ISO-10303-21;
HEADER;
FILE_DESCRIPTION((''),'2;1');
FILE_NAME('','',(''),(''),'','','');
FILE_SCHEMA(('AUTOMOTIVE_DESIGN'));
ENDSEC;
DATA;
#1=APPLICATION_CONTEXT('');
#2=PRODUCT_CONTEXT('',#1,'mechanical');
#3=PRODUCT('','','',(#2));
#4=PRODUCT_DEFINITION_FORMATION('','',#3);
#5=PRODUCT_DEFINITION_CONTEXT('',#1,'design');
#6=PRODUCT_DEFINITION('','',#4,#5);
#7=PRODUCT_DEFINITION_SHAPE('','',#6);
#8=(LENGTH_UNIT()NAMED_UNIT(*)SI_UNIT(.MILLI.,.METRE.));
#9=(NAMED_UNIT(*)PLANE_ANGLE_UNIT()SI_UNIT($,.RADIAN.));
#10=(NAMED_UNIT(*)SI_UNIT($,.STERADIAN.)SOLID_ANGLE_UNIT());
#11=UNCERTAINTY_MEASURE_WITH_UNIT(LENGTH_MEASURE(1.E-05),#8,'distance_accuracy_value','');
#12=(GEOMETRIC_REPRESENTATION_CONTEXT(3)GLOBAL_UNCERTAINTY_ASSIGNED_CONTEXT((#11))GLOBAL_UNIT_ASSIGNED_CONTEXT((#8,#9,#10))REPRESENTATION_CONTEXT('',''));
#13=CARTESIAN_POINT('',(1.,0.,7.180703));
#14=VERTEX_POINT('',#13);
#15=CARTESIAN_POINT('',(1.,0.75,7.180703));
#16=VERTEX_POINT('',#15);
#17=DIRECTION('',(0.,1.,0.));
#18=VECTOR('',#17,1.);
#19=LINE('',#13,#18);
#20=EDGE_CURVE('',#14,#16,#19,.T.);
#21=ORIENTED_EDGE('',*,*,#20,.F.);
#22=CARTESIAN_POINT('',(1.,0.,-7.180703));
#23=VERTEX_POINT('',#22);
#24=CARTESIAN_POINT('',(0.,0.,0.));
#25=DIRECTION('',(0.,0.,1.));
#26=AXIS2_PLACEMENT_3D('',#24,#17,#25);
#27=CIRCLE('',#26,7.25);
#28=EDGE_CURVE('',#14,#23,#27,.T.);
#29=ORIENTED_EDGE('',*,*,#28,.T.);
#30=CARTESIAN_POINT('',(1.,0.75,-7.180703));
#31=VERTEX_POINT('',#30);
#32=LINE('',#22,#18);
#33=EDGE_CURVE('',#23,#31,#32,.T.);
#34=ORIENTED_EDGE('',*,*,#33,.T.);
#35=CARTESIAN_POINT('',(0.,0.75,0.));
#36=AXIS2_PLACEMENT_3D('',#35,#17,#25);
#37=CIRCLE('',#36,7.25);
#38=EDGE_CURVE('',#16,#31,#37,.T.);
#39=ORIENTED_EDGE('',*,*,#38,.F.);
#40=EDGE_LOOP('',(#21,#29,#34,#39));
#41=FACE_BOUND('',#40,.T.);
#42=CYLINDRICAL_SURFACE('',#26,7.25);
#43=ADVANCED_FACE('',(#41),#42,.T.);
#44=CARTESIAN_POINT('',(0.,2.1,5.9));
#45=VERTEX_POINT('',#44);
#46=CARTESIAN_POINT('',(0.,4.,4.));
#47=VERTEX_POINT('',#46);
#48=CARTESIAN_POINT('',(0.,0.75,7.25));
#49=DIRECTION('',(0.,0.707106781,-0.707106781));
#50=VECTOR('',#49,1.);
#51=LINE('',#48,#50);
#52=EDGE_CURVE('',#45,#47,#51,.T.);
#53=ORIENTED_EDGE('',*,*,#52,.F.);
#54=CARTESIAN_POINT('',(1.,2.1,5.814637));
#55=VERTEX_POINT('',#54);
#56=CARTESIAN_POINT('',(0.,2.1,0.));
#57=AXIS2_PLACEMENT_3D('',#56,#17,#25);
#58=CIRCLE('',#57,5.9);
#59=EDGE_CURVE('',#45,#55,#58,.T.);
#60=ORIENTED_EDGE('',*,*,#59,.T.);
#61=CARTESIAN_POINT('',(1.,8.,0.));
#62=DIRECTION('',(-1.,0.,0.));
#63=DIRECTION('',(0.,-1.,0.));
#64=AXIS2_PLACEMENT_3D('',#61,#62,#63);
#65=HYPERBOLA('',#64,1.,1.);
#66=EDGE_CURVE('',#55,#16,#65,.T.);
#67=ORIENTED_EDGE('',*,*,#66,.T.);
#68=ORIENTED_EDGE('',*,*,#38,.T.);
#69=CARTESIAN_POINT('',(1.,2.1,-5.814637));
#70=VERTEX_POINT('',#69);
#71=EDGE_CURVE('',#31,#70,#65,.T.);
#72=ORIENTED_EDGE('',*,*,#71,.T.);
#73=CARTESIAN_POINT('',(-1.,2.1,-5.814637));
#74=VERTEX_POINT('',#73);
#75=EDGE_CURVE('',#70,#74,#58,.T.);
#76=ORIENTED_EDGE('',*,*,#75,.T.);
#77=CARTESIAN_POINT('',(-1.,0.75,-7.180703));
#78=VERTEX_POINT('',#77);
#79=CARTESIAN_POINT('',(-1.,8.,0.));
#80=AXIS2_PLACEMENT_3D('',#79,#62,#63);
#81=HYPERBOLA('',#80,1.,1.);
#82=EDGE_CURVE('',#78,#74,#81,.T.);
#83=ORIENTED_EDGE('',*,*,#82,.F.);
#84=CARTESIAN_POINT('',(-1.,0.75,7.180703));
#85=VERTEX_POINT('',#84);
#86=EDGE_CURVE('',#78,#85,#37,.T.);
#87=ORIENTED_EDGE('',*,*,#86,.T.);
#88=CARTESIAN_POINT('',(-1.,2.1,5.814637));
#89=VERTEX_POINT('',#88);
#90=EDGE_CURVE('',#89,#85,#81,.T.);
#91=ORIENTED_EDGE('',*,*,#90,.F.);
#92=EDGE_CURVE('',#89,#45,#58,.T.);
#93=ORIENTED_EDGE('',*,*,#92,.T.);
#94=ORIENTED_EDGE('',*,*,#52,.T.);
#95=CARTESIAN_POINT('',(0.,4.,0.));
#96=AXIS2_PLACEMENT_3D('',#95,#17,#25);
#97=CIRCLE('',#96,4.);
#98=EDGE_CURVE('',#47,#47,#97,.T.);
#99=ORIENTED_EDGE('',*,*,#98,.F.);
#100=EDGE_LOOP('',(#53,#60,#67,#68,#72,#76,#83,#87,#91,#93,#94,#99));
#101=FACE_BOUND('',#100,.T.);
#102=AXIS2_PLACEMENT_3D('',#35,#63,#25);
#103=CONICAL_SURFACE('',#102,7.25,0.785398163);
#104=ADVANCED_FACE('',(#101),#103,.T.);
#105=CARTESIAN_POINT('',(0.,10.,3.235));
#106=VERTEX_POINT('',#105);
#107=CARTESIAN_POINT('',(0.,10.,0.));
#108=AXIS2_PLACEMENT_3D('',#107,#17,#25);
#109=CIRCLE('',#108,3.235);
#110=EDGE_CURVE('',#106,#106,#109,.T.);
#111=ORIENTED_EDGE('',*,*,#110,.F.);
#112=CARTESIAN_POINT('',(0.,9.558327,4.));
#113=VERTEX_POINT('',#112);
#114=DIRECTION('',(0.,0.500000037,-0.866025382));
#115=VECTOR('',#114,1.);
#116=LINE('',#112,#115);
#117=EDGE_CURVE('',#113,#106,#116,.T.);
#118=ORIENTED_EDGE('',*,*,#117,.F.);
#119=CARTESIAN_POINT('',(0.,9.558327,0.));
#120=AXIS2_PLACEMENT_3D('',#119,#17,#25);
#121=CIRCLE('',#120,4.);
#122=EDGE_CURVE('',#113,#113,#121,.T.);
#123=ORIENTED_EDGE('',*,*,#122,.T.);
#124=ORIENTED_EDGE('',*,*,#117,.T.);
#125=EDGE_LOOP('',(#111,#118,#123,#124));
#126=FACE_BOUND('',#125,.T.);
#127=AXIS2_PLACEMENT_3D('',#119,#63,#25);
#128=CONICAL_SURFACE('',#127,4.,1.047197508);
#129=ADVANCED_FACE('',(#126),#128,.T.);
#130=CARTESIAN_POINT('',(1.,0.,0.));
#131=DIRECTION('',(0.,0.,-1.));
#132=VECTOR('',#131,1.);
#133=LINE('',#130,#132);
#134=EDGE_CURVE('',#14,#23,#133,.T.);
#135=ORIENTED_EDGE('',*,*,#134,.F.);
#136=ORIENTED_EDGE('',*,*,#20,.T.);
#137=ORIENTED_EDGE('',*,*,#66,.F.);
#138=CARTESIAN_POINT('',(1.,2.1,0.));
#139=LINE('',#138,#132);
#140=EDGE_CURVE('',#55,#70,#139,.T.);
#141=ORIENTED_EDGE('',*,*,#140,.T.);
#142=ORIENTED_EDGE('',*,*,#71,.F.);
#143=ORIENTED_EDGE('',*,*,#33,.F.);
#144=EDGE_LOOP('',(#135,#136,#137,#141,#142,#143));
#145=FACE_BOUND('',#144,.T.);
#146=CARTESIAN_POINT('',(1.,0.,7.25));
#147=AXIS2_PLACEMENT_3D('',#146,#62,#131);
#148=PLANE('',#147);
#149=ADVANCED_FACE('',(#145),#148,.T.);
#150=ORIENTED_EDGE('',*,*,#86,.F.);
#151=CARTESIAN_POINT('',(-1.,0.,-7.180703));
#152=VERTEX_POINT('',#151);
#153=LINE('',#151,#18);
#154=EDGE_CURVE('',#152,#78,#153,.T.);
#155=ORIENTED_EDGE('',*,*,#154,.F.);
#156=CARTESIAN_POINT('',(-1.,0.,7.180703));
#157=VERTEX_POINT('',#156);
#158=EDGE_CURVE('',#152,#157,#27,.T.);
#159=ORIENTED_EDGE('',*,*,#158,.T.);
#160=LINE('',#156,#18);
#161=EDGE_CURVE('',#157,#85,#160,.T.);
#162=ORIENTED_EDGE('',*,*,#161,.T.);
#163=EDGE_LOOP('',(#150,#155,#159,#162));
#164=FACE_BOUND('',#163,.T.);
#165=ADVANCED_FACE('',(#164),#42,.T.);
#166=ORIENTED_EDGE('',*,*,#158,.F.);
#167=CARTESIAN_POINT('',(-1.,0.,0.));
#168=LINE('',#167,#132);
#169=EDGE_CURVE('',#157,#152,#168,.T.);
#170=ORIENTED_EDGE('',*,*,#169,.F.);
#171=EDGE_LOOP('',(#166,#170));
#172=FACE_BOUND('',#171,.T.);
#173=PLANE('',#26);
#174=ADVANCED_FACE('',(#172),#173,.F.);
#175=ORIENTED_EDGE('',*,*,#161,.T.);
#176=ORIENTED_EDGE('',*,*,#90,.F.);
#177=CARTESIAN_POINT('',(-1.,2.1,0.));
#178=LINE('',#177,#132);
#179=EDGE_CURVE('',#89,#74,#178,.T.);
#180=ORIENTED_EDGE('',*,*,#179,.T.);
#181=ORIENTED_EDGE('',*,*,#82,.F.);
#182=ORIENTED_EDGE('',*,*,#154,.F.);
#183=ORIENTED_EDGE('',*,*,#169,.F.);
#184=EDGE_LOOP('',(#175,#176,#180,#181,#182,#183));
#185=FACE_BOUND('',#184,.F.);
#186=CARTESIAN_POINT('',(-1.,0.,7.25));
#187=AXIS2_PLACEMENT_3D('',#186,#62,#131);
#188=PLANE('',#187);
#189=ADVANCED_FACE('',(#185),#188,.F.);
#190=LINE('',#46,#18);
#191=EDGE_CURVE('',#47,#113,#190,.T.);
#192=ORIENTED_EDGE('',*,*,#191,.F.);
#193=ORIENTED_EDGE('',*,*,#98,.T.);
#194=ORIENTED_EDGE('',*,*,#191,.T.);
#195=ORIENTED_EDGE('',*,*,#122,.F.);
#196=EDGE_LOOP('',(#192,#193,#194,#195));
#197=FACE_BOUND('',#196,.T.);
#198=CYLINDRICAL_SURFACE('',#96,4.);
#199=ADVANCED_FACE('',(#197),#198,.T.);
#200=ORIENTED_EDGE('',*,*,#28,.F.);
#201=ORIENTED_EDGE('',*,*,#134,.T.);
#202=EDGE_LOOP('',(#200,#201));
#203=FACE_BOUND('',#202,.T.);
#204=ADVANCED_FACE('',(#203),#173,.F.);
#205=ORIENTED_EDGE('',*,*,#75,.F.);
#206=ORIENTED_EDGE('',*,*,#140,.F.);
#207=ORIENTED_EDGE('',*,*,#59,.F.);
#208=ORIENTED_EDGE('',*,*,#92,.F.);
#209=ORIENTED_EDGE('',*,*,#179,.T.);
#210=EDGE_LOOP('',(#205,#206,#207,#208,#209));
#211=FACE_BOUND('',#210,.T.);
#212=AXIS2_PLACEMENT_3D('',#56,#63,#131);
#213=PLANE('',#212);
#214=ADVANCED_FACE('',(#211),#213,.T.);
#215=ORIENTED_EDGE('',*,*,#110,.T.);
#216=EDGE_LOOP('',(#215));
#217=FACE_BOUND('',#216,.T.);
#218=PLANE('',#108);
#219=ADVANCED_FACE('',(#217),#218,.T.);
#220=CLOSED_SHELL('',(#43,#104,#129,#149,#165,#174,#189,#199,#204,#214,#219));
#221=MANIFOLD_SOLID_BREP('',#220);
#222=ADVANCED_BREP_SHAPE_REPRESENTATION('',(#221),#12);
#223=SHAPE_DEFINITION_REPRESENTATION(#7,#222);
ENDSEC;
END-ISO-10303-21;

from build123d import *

# Parameters (mm, degrees)
SKETCH001_W  = 14.5
SKETCH001_H  = 2
POCKET_DEPTH = 2.1


with BuildPart() as part:
    # Sketch → Revolution (revolve)
    with BuildSketch(Plane.YZ):
        Polygon((0, 0), (0, 7.25), (0.75, 7.25), (4, 4), (9.558327, 4), (10, 3.235), (10, 0), align=None)
    revolve(axis=Axis((0, 0, 0), (0, 1, 0)))

    # Sketch001 → Pocket (cut)
    with BuildSketch(Plane(origin=(0, 0, 0), x_dir=(0, 0, -1), z_dir=(0, -1, 0))):
        Rectangle(SKETCH001_W, SKETCH001_H)
    extrude(amount=-POCKET_DEPTH, mode=Mode.SUBTRACT)


solid = part.part
